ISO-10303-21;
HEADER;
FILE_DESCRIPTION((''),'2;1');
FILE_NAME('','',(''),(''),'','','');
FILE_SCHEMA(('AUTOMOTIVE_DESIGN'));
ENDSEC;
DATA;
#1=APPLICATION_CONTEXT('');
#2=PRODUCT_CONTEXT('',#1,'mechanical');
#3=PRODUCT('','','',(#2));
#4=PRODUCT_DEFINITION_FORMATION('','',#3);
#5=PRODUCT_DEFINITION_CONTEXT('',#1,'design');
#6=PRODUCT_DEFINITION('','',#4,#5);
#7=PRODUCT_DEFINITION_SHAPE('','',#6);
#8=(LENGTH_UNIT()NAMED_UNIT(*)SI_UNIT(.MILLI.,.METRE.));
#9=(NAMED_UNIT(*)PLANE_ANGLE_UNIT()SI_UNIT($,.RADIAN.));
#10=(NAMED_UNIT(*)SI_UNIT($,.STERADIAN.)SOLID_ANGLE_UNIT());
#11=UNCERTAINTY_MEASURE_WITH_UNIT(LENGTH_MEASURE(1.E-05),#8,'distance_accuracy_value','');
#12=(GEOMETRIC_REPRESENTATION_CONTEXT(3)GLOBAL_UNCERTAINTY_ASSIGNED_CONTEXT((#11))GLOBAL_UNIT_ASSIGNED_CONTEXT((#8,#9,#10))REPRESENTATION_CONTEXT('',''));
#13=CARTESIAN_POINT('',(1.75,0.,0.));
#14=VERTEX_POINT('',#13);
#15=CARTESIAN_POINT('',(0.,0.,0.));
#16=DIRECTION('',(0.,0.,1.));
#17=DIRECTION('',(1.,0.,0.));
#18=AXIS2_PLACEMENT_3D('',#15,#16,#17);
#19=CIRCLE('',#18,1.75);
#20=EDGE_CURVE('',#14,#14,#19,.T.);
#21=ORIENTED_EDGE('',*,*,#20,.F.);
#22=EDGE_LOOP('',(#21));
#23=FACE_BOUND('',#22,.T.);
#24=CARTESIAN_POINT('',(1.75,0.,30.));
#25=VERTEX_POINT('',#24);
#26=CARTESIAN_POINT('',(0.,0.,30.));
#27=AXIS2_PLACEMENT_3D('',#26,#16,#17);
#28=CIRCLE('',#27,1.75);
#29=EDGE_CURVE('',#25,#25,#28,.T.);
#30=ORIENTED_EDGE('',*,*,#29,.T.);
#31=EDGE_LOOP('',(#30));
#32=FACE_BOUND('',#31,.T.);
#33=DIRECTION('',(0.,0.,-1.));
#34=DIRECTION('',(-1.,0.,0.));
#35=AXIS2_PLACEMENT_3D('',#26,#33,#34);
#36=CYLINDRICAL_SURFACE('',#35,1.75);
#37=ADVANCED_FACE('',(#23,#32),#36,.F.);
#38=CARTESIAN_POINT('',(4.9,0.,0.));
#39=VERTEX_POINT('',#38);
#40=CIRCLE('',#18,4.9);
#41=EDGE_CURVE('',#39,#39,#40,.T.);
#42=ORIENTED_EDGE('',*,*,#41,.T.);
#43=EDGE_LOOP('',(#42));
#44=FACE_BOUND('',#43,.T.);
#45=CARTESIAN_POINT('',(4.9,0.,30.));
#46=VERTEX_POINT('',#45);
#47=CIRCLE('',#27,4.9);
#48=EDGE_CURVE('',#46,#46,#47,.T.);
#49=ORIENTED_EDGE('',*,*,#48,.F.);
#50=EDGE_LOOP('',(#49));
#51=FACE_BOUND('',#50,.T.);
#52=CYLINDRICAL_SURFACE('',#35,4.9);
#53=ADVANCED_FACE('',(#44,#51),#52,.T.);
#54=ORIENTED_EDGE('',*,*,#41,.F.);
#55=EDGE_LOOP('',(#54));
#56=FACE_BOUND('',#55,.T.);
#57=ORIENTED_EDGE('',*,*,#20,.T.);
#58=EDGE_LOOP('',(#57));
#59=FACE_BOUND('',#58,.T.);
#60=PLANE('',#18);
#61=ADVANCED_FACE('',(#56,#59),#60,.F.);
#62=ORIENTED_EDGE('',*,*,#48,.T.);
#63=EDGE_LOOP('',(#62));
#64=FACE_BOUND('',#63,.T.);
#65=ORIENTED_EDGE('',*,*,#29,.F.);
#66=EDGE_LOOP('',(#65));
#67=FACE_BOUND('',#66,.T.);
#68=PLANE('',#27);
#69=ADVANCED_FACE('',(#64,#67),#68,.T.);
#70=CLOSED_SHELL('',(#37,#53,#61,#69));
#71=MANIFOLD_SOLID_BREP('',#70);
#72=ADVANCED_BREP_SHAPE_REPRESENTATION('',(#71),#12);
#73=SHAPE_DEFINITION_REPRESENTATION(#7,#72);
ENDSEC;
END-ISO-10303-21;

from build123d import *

# Parameters (mm, degrees)
SKETCH1_R           = 4.9
SKETCH1_R_2         = 1.75
BOSS_EXTRUDE1_DEPTH = 30


with BuildPart() as part:
    # Sketch1 → Boss-Extrude1 (new body)
    with BuildSketch(Plane.XY):
        Circle(SKETCH1_R)
        Circle(SKETCH1_R_2, mode=Mode.SUBTRACT)
    extrude(amount=BOSS_EXTRUDE1_DEPTH)


solid = part.part
